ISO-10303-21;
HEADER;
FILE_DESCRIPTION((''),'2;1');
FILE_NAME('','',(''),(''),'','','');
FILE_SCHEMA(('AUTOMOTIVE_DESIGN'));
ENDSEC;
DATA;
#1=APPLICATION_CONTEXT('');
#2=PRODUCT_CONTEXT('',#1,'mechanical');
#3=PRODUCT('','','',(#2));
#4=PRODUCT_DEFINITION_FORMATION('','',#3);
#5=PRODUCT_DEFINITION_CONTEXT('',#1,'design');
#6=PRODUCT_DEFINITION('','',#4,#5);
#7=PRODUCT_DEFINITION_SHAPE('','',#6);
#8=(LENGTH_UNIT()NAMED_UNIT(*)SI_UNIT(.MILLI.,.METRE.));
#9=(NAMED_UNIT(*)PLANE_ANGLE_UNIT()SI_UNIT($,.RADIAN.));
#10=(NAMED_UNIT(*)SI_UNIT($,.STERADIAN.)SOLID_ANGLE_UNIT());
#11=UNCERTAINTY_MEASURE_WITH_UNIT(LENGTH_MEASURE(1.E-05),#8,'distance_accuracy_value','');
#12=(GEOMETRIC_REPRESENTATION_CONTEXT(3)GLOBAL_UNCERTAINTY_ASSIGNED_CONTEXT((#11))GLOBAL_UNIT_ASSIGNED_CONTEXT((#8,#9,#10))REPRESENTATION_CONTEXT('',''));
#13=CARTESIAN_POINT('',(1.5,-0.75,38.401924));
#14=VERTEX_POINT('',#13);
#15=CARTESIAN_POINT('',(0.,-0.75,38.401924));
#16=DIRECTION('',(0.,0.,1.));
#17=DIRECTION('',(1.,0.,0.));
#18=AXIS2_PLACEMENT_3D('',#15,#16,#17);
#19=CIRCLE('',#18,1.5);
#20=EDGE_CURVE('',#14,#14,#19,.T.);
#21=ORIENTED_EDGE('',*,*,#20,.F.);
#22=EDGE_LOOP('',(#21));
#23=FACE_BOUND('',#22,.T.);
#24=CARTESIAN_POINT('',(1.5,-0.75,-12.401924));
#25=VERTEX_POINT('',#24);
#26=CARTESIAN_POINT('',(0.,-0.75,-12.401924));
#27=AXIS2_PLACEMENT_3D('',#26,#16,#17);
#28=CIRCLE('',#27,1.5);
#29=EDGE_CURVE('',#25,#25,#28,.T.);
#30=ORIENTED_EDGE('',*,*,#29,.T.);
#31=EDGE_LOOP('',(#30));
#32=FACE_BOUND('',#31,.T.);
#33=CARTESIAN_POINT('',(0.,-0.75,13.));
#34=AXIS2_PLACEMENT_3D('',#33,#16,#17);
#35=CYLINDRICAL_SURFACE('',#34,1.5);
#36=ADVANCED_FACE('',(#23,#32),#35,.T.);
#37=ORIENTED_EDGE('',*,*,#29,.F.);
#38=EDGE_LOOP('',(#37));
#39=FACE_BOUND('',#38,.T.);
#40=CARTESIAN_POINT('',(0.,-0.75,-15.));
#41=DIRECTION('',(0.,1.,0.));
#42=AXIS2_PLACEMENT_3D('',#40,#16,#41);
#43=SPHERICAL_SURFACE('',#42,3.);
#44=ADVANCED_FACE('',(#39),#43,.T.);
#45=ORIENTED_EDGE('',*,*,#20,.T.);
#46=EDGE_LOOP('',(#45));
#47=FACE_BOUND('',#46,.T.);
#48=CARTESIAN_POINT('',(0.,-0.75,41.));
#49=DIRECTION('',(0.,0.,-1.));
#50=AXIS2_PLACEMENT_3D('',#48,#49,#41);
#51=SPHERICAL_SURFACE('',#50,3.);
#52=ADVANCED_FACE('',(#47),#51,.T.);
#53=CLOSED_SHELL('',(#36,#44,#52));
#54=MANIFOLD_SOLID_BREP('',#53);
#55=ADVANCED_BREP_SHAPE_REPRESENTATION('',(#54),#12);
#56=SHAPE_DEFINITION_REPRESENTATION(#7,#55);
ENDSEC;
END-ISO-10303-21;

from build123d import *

# Parameters (mm, degrees)
SKETCH1_W = 26
SKETCH1_H = 1.5


with BuildPart() as part:
    # Sketch1 → Revolve1 (revolve)
    with BuildSketch(Plane(origin=(0, 0, 0), x_dir=(0, 0, -1), z_dir=(1, 0, 0))):
        with BuildLine():
            Line((13, 0.75), (13, -0.75))
            Line((13, -0.75), (18, -0.75))
            ThreePointArc((18, -0.75), (15.776457135, 2.147777479), (12.401923789, 0.75))
            Line((12.401923789, 0.75), (13, 0.75))
        make_face()
        Rectangle(SKETCH1_W, SKETCH1_H)
    revolve1 = revolve(axis=Axis((0, -0.75, 13), (0, 0, -1)))

    # Mirror1: Revolve1 across plane
    add(revolve1.mirror(Plane(origin=(0, 0, 13), x_dir=(1, 0, 0), z_dir=(0, 0, -1))))


solid = part.part
